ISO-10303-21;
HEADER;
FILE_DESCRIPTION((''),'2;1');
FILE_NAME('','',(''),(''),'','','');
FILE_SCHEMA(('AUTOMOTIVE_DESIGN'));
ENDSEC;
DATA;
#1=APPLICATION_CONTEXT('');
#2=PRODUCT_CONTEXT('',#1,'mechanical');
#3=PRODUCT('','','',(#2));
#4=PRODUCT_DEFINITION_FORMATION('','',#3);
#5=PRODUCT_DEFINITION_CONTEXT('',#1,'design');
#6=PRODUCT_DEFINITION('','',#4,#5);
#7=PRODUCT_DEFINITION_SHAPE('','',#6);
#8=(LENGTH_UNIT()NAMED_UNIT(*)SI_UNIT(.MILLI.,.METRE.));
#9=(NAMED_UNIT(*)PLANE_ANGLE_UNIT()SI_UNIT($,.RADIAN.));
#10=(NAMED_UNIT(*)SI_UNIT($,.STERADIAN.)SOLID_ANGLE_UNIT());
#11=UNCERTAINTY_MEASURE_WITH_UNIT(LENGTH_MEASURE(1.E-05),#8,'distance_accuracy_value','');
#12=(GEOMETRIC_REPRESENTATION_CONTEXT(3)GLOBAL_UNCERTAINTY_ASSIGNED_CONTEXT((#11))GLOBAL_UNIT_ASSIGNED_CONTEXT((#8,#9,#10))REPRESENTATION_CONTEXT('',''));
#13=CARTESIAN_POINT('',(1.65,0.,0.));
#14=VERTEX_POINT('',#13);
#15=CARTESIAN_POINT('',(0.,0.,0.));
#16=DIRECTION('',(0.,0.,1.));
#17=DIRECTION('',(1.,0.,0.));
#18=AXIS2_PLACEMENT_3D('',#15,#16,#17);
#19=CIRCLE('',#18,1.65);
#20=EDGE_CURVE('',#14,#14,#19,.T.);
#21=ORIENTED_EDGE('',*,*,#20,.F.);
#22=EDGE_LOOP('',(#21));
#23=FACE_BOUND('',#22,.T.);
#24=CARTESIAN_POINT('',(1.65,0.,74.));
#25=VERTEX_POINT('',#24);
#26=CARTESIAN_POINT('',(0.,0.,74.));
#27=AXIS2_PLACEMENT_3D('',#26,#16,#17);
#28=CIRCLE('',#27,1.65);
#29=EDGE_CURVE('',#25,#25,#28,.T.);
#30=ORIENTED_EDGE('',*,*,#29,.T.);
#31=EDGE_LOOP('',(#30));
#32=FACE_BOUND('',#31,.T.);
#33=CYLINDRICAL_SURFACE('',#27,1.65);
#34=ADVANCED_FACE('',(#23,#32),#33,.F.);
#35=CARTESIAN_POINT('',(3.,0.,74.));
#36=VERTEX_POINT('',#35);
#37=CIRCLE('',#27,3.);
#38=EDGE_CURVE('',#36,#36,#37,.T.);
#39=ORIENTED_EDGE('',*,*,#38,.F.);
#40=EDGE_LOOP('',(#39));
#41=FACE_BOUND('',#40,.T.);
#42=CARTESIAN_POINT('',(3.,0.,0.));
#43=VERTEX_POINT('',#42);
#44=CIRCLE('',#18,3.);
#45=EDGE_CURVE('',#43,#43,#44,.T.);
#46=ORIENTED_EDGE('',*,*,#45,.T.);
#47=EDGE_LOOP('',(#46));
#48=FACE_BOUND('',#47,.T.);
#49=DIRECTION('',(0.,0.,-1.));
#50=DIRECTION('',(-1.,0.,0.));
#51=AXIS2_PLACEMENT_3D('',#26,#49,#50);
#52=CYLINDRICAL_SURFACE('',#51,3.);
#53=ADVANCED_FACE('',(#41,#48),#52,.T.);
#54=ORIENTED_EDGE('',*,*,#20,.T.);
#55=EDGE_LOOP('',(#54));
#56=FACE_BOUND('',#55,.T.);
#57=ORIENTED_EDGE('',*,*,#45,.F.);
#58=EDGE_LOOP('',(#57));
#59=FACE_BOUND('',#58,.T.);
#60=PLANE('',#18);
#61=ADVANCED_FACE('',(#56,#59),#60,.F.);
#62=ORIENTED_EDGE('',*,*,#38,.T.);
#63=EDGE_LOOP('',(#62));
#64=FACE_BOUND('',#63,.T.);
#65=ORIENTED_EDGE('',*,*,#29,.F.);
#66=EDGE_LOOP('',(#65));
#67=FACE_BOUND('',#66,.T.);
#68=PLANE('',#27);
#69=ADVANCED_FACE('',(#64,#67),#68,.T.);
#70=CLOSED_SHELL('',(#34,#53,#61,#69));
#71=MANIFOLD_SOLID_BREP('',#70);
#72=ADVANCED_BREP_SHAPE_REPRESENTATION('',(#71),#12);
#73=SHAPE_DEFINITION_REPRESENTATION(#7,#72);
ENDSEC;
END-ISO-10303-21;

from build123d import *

# Parameters (mm, degrees)
SKETCH_1_R         = 3
EXTRUDE_1_DEPTH    = 74
HOLE_WIZARD_M4_1_D = 3.3


with BuildPart() as part:
    # 草图1 → 凸台-拉伸1 (new body)
    with BuildSketch(Plane.XY):
        Circle(SKETCH_1_R)
    extrude(amount=EXTRUDE_1_DEPTH)

    # M4 螺纹孔1 (through all)
    with Locations(Plane.XY.offset(74)):
        with Locations((0, 0)):
            Hole(HOLE_WIZARD_M4_1_D / 2)


solid = part.part
